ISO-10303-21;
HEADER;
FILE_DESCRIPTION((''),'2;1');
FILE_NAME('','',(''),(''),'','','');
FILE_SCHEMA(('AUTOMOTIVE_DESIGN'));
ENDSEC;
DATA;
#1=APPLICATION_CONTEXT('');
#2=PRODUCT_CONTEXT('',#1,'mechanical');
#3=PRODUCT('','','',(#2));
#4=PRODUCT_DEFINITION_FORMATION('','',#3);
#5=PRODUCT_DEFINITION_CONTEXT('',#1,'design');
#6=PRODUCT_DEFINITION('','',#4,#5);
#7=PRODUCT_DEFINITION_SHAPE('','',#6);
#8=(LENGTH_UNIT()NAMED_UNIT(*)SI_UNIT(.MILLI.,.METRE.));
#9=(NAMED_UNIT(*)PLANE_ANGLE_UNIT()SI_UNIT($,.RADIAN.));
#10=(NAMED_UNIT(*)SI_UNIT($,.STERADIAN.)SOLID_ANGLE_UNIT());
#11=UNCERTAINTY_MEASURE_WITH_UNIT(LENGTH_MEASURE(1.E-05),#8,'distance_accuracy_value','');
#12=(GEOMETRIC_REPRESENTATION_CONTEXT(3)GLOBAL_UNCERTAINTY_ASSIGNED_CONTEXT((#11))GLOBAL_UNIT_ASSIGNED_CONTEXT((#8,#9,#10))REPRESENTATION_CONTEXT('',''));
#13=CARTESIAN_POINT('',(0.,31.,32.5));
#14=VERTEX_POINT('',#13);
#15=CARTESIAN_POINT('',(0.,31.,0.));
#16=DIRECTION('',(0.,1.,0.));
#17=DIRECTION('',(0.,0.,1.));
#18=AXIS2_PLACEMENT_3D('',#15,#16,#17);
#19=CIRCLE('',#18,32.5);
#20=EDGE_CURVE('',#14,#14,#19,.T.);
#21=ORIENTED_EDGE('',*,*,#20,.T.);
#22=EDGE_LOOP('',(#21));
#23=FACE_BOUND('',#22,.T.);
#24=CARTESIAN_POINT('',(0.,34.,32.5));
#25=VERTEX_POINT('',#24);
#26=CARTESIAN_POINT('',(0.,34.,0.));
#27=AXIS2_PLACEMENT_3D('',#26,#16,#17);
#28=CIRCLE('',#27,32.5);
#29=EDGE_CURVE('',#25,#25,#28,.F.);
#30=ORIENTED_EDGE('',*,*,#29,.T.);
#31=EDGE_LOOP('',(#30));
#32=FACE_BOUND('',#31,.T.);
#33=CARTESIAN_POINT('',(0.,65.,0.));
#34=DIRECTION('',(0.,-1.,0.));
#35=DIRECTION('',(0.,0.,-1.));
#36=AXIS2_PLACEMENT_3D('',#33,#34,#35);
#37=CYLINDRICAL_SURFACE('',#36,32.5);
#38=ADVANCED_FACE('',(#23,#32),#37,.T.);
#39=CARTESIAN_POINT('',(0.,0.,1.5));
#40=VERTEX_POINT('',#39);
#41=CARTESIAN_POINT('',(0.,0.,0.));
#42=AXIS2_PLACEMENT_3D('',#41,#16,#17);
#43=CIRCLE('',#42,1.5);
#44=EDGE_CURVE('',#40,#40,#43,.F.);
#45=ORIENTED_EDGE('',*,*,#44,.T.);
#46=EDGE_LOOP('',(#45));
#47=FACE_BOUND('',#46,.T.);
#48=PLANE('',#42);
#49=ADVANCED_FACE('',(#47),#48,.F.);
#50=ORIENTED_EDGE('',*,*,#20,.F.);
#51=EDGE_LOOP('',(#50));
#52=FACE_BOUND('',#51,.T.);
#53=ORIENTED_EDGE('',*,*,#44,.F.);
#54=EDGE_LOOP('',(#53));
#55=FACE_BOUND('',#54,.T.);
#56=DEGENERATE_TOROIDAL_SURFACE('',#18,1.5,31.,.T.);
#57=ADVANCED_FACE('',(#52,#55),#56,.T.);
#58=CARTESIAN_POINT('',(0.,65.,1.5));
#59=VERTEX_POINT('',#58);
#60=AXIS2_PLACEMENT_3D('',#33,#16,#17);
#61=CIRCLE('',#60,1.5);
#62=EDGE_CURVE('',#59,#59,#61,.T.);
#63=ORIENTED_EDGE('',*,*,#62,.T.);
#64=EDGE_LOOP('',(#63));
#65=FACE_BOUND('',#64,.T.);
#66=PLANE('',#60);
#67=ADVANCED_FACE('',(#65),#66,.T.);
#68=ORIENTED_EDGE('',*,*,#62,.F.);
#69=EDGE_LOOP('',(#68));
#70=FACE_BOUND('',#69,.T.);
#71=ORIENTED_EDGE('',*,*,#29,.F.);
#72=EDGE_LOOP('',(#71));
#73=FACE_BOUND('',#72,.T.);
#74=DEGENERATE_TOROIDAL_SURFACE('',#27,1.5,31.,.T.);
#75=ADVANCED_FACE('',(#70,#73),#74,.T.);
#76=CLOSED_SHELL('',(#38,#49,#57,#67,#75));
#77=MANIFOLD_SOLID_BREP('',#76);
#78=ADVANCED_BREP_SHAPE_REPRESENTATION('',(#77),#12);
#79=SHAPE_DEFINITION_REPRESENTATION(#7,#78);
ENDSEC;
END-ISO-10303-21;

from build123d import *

# Parameters (mm, degrees)
ESQUISSE1_R      = 32.5
EXTRUSION1_DEPTH = 65
CONG_1_R         = 31


with BuildPart() as part:
    # Esquisse1 → Extrusion1 (new body)
    with BuildSketch(Plane(origin=(0, 0, 0), x_dir=(1, 0, 0), z_dir=(0, 1, 0))):
        Circle(ESQUISSE1_R)
    extrude(amount=EXTRUSION1_DEPTH)

    # Congé1
    cong_1_edges = [part.edges().sort_by_distance(p)[0] for p in [
        (-32.5, 0, 0),
        (-32.5, 65, 0),
    ]]
    fillet(cong_1_edges, radius=CONG_1_R)


solid = part.part
